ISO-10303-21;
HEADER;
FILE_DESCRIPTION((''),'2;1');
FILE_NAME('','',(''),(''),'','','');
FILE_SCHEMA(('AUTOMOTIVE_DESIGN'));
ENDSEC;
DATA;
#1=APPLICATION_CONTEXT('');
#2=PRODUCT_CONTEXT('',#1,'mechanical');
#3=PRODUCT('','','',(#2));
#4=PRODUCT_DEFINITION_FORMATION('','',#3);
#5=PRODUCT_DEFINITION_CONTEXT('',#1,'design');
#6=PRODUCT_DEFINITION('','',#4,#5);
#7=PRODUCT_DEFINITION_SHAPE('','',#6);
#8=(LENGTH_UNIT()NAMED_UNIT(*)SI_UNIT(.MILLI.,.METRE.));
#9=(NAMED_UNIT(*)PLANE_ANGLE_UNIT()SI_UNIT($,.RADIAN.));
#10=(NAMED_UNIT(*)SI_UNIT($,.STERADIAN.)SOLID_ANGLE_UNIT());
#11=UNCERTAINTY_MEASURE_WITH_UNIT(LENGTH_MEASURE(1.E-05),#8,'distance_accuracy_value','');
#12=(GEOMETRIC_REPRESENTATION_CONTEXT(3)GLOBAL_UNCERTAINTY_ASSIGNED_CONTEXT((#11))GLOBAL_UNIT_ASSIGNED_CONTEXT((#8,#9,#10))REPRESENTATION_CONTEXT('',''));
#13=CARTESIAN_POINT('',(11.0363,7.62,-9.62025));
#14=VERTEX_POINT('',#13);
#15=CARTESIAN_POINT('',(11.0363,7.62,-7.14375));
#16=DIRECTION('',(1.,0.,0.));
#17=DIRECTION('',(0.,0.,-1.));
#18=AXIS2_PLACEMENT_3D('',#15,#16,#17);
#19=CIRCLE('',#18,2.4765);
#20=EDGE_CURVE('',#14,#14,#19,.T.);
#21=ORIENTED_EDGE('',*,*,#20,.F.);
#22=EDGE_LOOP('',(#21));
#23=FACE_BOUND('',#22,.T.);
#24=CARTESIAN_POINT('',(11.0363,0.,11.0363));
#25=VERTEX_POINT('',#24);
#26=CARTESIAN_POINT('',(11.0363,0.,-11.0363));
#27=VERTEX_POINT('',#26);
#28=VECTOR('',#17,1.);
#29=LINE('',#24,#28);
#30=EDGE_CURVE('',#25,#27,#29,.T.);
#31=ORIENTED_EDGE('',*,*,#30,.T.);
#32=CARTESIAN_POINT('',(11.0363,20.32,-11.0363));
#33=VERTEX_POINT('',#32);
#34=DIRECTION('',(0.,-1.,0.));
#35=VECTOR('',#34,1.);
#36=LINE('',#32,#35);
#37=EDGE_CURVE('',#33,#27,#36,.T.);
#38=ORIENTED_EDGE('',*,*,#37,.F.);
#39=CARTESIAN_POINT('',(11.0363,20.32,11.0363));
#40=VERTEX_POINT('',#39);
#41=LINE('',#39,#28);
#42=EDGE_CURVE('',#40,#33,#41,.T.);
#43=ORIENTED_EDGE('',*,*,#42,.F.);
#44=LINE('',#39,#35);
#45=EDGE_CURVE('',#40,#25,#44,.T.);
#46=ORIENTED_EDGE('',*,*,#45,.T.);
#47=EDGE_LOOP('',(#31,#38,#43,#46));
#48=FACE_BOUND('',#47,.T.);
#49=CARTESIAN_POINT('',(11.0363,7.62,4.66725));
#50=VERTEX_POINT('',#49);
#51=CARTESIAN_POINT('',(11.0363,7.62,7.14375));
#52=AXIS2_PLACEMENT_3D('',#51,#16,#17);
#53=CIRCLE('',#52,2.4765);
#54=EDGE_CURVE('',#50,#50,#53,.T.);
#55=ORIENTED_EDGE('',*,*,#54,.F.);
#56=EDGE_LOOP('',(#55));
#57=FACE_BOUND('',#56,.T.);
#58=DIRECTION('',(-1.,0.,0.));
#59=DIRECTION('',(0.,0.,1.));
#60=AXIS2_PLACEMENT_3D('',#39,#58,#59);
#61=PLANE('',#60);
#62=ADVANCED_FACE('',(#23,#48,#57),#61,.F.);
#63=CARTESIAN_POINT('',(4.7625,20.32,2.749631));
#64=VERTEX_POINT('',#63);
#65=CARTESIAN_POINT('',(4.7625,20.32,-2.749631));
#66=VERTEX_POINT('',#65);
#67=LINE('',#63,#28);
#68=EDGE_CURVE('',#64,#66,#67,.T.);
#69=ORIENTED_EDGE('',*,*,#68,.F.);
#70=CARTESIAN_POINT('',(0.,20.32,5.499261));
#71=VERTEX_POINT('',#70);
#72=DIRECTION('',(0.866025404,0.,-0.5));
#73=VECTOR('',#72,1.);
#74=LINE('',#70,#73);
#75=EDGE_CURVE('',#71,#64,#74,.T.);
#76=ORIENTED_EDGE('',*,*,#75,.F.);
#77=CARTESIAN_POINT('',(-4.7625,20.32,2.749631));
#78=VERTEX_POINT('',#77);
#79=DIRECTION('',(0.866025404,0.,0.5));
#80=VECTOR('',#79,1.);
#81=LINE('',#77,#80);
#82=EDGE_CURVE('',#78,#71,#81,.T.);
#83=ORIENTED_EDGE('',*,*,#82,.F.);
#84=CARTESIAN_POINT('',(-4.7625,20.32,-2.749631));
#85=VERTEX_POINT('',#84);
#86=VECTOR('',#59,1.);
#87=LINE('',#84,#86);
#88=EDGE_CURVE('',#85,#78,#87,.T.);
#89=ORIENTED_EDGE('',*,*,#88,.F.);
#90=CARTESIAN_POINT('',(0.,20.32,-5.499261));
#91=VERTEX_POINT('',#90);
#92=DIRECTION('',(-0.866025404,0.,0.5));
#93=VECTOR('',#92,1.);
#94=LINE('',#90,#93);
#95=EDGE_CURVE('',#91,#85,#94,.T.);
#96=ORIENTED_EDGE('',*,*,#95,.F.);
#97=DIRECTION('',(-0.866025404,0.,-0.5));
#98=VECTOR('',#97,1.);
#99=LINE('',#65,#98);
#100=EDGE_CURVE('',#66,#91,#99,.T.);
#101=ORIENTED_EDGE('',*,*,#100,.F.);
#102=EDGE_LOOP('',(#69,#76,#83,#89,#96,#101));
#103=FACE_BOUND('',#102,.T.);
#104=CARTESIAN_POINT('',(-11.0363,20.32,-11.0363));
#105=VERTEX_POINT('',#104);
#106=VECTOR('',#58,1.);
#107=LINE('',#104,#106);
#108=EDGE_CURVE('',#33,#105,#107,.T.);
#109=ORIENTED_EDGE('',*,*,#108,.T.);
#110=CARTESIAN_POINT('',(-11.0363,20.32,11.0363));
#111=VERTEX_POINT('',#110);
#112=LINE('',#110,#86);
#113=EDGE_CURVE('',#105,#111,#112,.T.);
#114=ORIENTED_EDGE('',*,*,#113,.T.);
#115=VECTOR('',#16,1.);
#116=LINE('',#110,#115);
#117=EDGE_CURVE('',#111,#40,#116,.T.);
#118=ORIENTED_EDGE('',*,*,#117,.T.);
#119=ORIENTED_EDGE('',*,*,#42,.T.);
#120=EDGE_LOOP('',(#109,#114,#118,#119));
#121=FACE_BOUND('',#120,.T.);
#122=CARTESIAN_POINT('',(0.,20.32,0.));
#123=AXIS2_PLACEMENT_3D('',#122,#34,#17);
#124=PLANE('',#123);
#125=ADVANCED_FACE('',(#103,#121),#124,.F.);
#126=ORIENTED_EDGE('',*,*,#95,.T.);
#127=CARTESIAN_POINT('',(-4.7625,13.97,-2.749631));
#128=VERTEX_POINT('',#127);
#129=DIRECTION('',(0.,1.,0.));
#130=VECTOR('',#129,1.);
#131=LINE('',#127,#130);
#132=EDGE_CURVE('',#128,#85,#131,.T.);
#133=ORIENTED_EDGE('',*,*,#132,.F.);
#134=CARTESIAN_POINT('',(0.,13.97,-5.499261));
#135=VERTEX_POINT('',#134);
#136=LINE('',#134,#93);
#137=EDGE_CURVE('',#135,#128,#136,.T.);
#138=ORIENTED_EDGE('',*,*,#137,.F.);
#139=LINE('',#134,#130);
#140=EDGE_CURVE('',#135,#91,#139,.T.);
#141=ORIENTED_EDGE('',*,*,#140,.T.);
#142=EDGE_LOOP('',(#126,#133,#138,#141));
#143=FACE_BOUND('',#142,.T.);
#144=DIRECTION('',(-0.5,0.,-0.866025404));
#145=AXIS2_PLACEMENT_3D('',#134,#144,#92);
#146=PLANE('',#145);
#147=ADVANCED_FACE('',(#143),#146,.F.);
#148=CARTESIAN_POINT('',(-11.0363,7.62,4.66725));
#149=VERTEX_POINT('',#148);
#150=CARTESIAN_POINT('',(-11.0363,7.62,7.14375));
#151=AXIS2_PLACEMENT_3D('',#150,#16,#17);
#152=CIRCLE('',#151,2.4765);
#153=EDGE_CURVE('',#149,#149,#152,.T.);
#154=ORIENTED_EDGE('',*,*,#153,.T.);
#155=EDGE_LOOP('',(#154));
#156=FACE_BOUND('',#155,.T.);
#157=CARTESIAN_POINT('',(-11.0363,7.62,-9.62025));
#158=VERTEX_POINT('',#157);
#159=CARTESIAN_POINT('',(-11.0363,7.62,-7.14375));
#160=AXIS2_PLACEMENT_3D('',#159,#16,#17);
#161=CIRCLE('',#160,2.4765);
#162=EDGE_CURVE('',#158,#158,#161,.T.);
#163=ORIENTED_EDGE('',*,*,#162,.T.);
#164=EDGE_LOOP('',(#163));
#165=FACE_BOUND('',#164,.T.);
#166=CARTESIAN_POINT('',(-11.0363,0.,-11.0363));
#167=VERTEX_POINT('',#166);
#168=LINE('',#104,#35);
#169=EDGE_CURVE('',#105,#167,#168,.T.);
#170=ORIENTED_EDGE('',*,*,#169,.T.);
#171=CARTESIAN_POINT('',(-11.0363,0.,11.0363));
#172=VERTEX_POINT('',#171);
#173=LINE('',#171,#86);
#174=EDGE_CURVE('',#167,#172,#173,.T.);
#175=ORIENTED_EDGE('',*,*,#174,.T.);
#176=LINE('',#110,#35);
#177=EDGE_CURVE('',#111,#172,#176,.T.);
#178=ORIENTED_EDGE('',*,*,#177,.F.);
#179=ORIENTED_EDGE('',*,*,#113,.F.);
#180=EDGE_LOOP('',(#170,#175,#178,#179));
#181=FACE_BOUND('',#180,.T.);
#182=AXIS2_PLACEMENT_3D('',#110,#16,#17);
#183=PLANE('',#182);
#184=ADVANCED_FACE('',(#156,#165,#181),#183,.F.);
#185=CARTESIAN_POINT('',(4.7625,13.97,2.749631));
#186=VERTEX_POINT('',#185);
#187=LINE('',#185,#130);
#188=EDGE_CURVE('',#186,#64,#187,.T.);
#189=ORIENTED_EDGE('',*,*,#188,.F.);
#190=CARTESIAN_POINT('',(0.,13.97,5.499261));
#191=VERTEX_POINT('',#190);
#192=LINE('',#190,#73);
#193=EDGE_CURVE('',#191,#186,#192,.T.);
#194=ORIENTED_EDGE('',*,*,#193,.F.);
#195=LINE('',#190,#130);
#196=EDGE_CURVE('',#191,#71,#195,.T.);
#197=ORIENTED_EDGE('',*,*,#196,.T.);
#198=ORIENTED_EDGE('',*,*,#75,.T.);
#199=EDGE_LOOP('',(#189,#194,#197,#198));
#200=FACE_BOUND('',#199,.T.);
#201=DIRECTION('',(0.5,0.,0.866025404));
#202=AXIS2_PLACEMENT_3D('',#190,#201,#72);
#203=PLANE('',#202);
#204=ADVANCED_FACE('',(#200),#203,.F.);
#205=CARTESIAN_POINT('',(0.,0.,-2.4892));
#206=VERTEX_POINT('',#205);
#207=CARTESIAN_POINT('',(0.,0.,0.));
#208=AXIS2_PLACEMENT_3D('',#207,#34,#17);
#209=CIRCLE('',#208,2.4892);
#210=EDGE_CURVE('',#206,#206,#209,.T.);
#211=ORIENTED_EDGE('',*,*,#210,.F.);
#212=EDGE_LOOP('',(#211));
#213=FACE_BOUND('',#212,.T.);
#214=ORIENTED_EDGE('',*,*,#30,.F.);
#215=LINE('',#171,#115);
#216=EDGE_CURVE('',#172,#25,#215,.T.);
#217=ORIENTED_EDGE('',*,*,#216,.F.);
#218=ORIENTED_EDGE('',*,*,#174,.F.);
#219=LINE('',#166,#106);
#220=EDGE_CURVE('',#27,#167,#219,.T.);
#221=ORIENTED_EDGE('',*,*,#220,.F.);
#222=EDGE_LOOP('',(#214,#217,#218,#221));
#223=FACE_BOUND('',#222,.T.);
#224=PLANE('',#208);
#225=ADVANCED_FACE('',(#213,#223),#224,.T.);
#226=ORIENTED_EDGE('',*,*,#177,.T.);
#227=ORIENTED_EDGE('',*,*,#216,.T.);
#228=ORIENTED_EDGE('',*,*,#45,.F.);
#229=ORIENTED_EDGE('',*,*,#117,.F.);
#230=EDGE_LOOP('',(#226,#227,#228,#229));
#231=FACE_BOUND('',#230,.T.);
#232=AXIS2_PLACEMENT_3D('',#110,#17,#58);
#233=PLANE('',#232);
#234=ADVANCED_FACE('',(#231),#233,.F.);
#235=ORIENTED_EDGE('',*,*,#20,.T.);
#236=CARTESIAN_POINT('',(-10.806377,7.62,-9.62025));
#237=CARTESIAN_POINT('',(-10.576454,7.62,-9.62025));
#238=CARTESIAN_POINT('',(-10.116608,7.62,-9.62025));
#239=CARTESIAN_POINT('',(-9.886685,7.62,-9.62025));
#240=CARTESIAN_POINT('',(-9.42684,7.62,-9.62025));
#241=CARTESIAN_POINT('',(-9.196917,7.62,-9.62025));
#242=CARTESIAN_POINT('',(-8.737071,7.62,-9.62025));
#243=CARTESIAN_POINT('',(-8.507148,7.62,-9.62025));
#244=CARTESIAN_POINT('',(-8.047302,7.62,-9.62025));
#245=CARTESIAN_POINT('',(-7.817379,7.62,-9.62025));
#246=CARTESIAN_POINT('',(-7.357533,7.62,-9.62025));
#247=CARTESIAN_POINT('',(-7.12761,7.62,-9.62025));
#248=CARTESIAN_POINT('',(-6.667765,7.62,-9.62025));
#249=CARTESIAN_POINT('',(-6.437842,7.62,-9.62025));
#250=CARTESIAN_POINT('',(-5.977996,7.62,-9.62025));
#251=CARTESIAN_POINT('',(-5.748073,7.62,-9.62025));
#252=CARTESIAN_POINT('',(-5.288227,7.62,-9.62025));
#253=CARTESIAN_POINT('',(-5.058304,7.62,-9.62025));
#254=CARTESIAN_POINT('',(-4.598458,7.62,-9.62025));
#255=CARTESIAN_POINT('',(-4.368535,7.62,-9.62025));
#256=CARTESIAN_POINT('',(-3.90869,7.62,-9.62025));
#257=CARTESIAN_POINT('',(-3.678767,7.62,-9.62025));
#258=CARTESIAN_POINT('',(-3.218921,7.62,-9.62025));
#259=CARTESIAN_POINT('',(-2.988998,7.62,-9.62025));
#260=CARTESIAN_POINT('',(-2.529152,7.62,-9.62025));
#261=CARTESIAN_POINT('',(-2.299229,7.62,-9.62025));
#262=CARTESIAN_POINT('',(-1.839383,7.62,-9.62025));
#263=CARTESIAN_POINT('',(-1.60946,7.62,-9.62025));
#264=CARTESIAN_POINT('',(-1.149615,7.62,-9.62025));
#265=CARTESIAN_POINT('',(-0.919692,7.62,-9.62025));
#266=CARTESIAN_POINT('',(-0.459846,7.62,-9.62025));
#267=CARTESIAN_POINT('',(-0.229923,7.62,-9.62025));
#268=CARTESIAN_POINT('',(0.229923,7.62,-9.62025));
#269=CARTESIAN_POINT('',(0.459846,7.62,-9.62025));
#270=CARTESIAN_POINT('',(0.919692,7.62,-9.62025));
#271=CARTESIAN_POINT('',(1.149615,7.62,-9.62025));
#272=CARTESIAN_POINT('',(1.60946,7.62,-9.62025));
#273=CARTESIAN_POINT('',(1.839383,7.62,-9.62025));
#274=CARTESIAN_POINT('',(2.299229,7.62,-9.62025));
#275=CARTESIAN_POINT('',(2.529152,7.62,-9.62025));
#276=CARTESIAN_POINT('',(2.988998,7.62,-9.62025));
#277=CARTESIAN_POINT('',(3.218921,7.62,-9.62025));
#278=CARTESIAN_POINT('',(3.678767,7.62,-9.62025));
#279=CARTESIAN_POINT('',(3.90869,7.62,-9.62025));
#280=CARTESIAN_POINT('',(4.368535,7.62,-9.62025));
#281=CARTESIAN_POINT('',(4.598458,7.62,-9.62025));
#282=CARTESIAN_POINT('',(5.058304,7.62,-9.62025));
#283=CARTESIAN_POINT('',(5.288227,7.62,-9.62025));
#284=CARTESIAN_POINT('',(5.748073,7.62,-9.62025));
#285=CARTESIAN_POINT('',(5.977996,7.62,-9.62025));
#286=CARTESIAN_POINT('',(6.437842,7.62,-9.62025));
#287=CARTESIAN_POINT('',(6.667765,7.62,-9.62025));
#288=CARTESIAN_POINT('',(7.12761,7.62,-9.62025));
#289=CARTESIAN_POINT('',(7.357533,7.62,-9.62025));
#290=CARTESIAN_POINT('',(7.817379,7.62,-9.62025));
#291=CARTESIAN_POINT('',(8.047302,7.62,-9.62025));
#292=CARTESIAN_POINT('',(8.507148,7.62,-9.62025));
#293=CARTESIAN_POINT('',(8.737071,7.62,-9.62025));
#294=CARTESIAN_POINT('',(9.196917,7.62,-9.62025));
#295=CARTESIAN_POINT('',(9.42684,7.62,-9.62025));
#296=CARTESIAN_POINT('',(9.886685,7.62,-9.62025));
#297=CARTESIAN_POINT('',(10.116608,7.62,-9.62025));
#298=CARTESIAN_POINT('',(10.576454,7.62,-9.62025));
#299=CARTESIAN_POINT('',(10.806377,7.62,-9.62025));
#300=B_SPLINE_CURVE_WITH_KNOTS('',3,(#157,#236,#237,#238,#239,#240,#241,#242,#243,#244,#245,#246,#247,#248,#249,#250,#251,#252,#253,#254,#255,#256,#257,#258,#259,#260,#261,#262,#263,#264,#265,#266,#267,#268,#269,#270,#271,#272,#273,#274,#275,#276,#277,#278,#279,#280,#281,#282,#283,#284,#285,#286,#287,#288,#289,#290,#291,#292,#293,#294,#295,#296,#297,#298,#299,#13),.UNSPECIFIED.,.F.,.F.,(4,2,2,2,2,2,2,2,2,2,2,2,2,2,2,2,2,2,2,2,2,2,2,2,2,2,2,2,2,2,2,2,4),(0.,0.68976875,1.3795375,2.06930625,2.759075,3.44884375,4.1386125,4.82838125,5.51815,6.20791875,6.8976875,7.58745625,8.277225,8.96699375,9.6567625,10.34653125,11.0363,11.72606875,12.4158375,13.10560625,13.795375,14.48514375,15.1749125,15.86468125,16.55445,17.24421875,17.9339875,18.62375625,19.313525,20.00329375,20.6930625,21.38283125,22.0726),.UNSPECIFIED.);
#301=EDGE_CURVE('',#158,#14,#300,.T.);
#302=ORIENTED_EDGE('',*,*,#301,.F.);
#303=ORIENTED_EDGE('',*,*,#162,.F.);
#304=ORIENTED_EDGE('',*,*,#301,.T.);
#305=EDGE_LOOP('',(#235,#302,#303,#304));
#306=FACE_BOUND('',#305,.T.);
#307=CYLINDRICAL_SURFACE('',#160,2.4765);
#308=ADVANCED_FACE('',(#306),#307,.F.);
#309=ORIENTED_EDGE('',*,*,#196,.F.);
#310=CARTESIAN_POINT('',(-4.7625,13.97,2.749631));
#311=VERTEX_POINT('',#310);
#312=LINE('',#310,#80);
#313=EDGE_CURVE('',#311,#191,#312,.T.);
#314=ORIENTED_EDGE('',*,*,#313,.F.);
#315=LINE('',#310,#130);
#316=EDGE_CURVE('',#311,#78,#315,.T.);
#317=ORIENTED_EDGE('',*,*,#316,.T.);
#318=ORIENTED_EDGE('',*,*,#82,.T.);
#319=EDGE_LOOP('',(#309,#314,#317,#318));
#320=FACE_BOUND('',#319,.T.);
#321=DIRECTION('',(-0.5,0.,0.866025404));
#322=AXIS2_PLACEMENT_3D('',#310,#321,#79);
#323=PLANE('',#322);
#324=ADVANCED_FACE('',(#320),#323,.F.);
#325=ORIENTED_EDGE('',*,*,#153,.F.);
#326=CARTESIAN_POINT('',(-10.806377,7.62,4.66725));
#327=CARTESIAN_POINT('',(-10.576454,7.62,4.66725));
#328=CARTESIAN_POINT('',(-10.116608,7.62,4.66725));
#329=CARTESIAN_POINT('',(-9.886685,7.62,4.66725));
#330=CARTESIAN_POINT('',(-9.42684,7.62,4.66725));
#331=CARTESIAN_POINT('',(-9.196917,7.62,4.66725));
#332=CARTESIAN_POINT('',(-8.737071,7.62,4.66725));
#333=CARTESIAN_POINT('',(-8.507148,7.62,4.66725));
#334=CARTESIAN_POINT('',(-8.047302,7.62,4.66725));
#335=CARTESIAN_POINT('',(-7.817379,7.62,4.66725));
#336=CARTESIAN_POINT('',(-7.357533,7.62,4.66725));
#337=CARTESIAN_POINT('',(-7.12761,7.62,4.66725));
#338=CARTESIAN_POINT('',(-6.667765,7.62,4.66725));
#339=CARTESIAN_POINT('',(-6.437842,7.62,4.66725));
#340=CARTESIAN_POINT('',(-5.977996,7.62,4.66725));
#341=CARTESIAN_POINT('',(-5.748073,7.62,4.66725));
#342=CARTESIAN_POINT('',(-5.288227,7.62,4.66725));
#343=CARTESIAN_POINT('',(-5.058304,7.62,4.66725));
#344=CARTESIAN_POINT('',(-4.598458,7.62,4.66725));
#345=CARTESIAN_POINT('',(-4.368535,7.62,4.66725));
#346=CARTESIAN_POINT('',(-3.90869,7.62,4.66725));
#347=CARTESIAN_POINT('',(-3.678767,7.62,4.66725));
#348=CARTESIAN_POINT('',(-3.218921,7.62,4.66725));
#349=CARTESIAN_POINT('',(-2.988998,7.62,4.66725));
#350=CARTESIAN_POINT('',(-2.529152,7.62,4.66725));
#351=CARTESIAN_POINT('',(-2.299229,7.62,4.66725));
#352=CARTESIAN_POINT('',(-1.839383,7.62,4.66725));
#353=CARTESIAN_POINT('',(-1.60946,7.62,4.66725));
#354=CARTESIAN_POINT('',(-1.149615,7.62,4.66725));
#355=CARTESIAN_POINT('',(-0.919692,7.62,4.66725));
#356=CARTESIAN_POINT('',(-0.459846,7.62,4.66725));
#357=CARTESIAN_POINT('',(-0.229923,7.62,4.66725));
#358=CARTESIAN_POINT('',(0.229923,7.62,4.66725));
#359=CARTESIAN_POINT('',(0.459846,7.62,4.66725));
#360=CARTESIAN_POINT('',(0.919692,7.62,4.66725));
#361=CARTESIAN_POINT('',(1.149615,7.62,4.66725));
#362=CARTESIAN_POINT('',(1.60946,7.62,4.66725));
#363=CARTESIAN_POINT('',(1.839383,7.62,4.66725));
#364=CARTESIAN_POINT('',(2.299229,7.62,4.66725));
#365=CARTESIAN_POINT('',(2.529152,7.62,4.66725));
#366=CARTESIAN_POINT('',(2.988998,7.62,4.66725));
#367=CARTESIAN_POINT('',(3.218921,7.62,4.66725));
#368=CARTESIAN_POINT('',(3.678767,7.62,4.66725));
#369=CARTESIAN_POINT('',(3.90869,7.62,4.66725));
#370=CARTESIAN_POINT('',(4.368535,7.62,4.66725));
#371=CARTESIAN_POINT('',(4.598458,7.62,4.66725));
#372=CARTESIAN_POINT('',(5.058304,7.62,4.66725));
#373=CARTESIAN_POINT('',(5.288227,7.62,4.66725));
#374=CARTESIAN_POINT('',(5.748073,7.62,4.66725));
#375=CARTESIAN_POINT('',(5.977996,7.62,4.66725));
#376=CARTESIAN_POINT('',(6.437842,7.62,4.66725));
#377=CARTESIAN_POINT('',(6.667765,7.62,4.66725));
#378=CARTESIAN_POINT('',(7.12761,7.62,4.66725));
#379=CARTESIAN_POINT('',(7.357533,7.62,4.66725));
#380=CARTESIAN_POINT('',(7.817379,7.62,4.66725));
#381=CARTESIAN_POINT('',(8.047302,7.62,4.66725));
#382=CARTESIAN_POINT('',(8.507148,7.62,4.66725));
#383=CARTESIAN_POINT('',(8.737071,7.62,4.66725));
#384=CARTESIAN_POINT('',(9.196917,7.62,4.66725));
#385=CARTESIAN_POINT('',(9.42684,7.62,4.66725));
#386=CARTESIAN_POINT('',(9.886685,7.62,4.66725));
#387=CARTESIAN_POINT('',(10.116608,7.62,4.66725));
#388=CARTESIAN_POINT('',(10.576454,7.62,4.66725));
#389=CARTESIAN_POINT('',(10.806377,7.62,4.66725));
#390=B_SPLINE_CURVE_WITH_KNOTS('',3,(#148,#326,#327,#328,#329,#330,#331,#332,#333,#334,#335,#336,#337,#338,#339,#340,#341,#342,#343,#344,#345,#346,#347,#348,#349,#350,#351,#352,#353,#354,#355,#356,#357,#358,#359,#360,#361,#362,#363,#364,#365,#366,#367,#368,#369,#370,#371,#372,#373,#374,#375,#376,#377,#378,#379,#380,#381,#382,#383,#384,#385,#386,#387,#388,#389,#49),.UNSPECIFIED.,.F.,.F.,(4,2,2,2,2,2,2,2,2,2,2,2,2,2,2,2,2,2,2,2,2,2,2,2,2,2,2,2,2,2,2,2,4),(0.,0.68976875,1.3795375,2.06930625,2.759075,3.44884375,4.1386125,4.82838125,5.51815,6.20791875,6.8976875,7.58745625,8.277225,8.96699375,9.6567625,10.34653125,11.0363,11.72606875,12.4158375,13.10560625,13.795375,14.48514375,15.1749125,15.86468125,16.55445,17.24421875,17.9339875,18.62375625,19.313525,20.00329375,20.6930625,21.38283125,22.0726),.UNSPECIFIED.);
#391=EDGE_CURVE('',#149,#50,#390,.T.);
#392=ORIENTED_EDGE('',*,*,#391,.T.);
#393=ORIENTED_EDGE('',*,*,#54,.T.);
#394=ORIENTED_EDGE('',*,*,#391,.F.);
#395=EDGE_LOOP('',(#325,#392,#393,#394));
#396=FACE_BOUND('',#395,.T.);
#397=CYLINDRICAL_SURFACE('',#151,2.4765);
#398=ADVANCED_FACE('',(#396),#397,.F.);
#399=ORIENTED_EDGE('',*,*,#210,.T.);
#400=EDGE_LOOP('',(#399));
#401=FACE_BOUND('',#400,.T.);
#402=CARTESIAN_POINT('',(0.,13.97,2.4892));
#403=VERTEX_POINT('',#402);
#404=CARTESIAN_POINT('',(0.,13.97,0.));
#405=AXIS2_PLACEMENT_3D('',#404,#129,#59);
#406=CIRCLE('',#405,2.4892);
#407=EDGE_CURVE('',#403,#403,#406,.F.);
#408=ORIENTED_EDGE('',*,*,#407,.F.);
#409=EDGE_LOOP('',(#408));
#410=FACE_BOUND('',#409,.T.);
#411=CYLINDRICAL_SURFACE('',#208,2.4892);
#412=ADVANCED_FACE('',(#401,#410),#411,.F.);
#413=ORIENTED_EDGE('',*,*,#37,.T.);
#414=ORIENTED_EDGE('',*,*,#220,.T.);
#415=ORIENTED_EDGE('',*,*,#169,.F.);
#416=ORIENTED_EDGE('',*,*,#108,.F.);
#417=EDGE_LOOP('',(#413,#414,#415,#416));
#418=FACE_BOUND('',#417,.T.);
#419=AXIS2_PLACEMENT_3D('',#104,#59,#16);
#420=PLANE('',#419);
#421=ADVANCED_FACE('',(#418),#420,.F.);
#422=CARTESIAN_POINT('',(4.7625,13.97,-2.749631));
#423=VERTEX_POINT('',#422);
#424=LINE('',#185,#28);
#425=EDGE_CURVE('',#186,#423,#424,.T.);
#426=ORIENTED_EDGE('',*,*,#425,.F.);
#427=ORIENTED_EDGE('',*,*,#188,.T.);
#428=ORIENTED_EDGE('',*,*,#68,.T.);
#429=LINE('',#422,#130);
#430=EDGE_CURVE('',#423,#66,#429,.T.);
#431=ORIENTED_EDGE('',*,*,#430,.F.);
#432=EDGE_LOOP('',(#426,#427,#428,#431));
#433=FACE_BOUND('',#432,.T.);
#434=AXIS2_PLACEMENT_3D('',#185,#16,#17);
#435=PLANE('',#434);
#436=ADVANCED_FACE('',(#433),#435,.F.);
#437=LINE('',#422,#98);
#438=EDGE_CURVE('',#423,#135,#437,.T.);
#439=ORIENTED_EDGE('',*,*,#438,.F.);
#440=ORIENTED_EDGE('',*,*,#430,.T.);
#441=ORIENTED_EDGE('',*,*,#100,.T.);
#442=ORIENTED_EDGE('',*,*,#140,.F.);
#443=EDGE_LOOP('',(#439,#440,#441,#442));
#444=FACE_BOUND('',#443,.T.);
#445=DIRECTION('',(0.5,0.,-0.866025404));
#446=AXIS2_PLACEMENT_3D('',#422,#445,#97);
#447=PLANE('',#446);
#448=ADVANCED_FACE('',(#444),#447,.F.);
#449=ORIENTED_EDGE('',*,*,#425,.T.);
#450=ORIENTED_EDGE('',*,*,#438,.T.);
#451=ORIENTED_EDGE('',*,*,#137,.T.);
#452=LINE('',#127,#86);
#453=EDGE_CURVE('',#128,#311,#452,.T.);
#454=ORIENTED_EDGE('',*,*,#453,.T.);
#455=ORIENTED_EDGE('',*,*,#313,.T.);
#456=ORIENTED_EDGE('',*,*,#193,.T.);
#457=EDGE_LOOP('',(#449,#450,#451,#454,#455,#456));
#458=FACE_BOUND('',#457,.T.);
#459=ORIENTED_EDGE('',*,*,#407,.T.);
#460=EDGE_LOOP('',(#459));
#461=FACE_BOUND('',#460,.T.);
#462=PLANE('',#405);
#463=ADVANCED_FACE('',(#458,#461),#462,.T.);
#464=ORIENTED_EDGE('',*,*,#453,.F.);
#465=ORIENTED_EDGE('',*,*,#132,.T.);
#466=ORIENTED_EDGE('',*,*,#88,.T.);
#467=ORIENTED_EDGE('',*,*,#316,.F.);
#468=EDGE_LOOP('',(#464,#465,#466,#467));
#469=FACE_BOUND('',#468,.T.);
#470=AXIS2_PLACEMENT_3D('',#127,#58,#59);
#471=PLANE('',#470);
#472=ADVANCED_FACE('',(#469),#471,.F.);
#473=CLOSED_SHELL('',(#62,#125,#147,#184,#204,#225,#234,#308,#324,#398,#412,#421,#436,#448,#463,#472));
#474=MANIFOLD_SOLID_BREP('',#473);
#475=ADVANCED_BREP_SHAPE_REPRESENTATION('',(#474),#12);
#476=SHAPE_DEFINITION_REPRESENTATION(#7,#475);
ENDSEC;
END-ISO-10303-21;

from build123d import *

# Parameters (mm, degrees)
SKETCH1_W              = 22.0726
SKETCH1_H              = 22.0726
BOSS_EXTRUDE1_DEPTH    = 20.32
F_10_CLEARANCE_HOLE1_D = 4.9784
SKETCH8_R              = 2.4765
CUT_EXTRUDE1_DEPTH     = 32.967201761
CUT_EXTRUDE2_DEPTH     = 6.35


with BuildPart() as part:
    # Sketch1 → Boss-Extrude1 (new body)
    with BuildSketch(Plane(origin=(0, 0, 0), x_dir=(1, 0, 0), z_dir=(0, 1, 0))):
        Rectangle(SKETCH1_W, SKETCH1_H)
    extrude(amount=BOSS_EXTRUDE1_DEPTH)

    # #10 Clearance Hole1 (through all)
    with Locations(Plane(origin=(0, 0, 0), x_dir=(-1, 0, 0), z_dir=(0, -1, 0))):
        with Locations((0, 0)):
            Hole(F_10_CLEARANCE_HOLE1_D / 2)

    # Sketch8 → Cut-Extrude1 (cut, through all)
    with BuildSketch(Plane(origin=(11.0363, 0, 0), x_dir=(0, 0, -1), z_dir=(1, 0, 0))):
        with Locations((-7.14375, 7.62)):
            Circle(SKETCH8_R)
        with Locations((7.14375, 7.62)):
            Circle(SKETCH8_R)
    extrude(amount=-CUT_EXTRUDE1_DEPTH, mode=Mode.SUBTRACT)

    # Sketch9 → Cut-Extrude2 (cut)
    with BuildSketch(Plane(origin=(0, 20.32, 0), x_dir=(1, 0, 0), z_dir=(0, 1, 0))):
        Polygon((0, 5.499261314), (-4.7625, 2.749630657), (-4.7625, -2.749630657), (0, -5.499261314), (4.7625, -2.749630657), (4.7625, 2.749630657), align=None)
    extrude(amount=-CUT_EXTRUDE2_DEPTH, mode=Mode.SUBTRACT)


solid = part.part
